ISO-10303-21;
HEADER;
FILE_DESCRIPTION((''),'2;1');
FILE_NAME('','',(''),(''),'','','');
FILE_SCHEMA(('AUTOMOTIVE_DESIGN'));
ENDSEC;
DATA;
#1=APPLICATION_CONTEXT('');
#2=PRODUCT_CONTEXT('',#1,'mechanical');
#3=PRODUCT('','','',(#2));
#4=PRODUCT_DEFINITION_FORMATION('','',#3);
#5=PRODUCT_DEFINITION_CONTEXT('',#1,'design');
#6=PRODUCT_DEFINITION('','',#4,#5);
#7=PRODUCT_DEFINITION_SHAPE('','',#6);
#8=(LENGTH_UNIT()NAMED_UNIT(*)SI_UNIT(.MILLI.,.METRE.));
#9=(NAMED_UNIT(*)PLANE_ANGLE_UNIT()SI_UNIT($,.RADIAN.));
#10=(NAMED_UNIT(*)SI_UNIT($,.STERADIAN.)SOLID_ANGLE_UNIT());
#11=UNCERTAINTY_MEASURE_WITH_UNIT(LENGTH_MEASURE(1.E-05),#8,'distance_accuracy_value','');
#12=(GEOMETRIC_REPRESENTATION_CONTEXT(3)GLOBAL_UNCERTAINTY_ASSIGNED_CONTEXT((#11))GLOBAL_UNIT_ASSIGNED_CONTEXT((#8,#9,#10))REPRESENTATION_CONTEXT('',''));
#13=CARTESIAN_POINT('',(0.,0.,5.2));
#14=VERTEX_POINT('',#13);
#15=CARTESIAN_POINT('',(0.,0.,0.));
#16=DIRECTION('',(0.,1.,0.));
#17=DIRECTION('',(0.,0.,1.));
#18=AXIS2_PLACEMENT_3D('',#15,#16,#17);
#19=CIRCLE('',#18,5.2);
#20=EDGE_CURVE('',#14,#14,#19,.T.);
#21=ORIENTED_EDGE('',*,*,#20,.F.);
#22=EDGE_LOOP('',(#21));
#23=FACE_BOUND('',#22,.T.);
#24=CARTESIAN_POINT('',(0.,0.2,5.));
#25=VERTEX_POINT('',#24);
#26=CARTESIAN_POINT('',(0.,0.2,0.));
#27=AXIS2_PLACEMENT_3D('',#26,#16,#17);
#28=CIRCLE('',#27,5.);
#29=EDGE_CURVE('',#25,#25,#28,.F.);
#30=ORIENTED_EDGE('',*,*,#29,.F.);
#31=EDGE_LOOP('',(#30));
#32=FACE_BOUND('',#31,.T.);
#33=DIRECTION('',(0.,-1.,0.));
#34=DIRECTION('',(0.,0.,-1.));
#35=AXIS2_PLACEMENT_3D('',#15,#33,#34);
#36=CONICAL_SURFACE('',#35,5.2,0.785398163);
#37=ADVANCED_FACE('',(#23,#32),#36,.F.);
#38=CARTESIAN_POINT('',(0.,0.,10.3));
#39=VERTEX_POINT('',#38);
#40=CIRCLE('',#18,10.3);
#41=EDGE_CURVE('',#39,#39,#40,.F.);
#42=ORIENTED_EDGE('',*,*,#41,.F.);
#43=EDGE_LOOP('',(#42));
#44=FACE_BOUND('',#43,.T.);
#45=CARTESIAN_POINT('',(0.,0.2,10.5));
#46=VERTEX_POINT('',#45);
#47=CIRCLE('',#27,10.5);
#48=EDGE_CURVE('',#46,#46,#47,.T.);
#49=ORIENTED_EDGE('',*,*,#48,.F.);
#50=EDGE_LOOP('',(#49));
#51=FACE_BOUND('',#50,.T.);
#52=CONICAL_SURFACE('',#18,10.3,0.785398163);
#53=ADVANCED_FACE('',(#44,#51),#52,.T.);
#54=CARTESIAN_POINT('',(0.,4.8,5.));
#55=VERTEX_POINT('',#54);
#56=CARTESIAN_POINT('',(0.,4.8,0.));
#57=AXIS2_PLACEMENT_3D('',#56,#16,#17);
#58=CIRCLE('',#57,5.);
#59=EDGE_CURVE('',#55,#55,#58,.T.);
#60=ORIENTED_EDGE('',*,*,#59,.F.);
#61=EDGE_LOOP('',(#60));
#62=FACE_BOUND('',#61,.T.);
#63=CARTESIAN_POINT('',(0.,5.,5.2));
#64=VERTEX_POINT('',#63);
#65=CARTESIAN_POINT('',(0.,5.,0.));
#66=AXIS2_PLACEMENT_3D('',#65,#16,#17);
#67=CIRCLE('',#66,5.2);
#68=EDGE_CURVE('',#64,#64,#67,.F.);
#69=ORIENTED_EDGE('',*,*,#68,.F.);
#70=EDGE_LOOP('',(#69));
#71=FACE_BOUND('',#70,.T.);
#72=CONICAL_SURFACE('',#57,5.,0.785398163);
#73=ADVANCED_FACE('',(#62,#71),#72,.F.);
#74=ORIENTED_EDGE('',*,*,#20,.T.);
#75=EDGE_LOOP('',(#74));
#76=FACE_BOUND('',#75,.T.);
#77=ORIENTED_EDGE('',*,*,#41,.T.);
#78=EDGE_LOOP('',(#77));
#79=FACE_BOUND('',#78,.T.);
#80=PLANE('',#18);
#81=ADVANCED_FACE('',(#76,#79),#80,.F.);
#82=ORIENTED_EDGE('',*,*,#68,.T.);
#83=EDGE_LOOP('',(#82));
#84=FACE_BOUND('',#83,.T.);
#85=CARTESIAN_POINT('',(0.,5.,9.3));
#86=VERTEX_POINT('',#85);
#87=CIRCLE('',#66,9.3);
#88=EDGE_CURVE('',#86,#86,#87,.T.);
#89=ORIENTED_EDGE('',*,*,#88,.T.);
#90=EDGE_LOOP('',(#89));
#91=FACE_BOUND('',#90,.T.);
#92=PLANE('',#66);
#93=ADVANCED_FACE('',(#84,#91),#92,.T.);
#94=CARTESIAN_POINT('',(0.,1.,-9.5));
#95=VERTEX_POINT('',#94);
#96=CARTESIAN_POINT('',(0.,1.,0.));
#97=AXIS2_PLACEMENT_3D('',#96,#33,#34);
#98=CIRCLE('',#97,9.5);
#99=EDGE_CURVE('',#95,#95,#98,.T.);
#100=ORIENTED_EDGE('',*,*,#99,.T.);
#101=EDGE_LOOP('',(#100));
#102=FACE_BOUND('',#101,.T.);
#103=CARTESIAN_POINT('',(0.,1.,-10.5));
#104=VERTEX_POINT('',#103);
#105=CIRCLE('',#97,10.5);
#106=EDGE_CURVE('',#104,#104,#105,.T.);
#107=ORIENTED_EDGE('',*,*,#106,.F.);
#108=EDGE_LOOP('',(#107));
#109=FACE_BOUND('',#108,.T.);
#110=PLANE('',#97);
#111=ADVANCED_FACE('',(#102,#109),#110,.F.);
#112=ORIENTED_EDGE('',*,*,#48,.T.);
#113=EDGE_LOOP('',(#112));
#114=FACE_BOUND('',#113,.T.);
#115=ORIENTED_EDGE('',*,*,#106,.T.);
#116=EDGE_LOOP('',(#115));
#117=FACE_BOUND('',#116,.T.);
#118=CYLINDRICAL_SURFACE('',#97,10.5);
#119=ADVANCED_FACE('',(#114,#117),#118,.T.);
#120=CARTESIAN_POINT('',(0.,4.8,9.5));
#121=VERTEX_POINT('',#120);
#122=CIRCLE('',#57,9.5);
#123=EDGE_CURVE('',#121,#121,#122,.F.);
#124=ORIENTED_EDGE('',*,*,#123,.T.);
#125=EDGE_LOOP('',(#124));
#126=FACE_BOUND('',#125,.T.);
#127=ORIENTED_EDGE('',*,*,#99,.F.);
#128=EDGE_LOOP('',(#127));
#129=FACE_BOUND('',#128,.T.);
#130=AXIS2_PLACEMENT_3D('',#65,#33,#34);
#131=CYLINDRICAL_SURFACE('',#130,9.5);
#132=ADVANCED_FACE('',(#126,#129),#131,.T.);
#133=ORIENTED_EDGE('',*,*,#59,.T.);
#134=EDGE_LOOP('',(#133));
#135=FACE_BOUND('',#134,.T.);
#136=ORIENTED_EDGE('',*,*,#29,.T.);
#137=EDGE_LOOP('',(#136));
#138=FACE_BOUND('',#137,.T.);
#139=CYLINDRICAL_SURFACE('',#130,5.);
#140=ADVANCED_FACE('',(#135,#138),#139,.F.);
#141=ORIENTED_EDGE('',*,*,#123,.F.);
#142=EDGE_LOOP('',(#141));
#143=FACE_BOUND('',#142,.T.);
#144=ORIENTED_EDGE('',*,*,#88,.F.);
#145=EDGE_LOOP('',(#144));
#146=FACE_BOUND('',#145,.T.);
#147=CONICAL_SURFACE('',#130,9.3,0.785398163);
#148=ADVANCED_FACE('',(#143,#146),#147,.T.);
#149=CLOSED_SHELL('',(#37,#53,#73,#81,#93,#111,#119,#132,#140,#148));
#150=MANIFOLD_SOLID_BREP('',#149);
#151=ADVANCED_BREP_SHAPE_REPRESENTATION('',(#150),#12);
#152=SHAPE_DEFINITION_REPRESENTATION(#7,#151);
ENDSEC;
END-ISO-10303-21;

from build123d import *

# Parameters (mm, degrees)
SKETCH_1_R      = 9.5
SKETCH_1_R_2    = 5
EXTRUDE_1_DEPTH = 5
SKETCH_2_R      = 10.5
SKETCH_2_R_2    = 9.5
EXTRUDE_2_DEPTH = 1
CHAMFER_1_SIZE  = 0.2


with BuildPart() as part:
    # 草图1 → 凸台-拉伸1 (new body)
    with BuildSketch(Plane(origin=(0, 0, 0), x_dir=(1, 0, 0), z_dir=(0, 1, 0))):
        with Locations(Location((0, 0, 0), (0, 0, 270))):
            Circle(SKETCH_1_R)
        with Locations(Location((0, 0, 0), (0, 0, 270))):
            Circle(SKETCH_1_R_2, mode=Mode.SUBTRACT)
    extrude(amount=EXTRUDE_1_DEPTH)

    # 草图2 → 凸台-拉伸2 (add)
    with BuildSketch(Plane.XZ):
        with Locations(Location((0, 0, 0), (0, 0, 270))):
            Circle(SKETCH_2_R)
        with Locations(Location((0, 0, 0), (0, 0, 270))):
            Circle(SKETCH_2_R_2, mode=Mode.SUBTRACT)
    extrude(amount=-EXTRUDE_2_DEPTH)

    # 倒角1
    chamfer_1_edges = [part.edges().sort_by_distance(p)[0] for p in [
        (0, 0, 10.5),
        (0, 5, -9.5),
        (0, 0, -5),
        (0, 5, -5),
    ]]
    chamfer(chamfer_1_edges, length=CHAMFER_1_SIZE)


solid = part.part
